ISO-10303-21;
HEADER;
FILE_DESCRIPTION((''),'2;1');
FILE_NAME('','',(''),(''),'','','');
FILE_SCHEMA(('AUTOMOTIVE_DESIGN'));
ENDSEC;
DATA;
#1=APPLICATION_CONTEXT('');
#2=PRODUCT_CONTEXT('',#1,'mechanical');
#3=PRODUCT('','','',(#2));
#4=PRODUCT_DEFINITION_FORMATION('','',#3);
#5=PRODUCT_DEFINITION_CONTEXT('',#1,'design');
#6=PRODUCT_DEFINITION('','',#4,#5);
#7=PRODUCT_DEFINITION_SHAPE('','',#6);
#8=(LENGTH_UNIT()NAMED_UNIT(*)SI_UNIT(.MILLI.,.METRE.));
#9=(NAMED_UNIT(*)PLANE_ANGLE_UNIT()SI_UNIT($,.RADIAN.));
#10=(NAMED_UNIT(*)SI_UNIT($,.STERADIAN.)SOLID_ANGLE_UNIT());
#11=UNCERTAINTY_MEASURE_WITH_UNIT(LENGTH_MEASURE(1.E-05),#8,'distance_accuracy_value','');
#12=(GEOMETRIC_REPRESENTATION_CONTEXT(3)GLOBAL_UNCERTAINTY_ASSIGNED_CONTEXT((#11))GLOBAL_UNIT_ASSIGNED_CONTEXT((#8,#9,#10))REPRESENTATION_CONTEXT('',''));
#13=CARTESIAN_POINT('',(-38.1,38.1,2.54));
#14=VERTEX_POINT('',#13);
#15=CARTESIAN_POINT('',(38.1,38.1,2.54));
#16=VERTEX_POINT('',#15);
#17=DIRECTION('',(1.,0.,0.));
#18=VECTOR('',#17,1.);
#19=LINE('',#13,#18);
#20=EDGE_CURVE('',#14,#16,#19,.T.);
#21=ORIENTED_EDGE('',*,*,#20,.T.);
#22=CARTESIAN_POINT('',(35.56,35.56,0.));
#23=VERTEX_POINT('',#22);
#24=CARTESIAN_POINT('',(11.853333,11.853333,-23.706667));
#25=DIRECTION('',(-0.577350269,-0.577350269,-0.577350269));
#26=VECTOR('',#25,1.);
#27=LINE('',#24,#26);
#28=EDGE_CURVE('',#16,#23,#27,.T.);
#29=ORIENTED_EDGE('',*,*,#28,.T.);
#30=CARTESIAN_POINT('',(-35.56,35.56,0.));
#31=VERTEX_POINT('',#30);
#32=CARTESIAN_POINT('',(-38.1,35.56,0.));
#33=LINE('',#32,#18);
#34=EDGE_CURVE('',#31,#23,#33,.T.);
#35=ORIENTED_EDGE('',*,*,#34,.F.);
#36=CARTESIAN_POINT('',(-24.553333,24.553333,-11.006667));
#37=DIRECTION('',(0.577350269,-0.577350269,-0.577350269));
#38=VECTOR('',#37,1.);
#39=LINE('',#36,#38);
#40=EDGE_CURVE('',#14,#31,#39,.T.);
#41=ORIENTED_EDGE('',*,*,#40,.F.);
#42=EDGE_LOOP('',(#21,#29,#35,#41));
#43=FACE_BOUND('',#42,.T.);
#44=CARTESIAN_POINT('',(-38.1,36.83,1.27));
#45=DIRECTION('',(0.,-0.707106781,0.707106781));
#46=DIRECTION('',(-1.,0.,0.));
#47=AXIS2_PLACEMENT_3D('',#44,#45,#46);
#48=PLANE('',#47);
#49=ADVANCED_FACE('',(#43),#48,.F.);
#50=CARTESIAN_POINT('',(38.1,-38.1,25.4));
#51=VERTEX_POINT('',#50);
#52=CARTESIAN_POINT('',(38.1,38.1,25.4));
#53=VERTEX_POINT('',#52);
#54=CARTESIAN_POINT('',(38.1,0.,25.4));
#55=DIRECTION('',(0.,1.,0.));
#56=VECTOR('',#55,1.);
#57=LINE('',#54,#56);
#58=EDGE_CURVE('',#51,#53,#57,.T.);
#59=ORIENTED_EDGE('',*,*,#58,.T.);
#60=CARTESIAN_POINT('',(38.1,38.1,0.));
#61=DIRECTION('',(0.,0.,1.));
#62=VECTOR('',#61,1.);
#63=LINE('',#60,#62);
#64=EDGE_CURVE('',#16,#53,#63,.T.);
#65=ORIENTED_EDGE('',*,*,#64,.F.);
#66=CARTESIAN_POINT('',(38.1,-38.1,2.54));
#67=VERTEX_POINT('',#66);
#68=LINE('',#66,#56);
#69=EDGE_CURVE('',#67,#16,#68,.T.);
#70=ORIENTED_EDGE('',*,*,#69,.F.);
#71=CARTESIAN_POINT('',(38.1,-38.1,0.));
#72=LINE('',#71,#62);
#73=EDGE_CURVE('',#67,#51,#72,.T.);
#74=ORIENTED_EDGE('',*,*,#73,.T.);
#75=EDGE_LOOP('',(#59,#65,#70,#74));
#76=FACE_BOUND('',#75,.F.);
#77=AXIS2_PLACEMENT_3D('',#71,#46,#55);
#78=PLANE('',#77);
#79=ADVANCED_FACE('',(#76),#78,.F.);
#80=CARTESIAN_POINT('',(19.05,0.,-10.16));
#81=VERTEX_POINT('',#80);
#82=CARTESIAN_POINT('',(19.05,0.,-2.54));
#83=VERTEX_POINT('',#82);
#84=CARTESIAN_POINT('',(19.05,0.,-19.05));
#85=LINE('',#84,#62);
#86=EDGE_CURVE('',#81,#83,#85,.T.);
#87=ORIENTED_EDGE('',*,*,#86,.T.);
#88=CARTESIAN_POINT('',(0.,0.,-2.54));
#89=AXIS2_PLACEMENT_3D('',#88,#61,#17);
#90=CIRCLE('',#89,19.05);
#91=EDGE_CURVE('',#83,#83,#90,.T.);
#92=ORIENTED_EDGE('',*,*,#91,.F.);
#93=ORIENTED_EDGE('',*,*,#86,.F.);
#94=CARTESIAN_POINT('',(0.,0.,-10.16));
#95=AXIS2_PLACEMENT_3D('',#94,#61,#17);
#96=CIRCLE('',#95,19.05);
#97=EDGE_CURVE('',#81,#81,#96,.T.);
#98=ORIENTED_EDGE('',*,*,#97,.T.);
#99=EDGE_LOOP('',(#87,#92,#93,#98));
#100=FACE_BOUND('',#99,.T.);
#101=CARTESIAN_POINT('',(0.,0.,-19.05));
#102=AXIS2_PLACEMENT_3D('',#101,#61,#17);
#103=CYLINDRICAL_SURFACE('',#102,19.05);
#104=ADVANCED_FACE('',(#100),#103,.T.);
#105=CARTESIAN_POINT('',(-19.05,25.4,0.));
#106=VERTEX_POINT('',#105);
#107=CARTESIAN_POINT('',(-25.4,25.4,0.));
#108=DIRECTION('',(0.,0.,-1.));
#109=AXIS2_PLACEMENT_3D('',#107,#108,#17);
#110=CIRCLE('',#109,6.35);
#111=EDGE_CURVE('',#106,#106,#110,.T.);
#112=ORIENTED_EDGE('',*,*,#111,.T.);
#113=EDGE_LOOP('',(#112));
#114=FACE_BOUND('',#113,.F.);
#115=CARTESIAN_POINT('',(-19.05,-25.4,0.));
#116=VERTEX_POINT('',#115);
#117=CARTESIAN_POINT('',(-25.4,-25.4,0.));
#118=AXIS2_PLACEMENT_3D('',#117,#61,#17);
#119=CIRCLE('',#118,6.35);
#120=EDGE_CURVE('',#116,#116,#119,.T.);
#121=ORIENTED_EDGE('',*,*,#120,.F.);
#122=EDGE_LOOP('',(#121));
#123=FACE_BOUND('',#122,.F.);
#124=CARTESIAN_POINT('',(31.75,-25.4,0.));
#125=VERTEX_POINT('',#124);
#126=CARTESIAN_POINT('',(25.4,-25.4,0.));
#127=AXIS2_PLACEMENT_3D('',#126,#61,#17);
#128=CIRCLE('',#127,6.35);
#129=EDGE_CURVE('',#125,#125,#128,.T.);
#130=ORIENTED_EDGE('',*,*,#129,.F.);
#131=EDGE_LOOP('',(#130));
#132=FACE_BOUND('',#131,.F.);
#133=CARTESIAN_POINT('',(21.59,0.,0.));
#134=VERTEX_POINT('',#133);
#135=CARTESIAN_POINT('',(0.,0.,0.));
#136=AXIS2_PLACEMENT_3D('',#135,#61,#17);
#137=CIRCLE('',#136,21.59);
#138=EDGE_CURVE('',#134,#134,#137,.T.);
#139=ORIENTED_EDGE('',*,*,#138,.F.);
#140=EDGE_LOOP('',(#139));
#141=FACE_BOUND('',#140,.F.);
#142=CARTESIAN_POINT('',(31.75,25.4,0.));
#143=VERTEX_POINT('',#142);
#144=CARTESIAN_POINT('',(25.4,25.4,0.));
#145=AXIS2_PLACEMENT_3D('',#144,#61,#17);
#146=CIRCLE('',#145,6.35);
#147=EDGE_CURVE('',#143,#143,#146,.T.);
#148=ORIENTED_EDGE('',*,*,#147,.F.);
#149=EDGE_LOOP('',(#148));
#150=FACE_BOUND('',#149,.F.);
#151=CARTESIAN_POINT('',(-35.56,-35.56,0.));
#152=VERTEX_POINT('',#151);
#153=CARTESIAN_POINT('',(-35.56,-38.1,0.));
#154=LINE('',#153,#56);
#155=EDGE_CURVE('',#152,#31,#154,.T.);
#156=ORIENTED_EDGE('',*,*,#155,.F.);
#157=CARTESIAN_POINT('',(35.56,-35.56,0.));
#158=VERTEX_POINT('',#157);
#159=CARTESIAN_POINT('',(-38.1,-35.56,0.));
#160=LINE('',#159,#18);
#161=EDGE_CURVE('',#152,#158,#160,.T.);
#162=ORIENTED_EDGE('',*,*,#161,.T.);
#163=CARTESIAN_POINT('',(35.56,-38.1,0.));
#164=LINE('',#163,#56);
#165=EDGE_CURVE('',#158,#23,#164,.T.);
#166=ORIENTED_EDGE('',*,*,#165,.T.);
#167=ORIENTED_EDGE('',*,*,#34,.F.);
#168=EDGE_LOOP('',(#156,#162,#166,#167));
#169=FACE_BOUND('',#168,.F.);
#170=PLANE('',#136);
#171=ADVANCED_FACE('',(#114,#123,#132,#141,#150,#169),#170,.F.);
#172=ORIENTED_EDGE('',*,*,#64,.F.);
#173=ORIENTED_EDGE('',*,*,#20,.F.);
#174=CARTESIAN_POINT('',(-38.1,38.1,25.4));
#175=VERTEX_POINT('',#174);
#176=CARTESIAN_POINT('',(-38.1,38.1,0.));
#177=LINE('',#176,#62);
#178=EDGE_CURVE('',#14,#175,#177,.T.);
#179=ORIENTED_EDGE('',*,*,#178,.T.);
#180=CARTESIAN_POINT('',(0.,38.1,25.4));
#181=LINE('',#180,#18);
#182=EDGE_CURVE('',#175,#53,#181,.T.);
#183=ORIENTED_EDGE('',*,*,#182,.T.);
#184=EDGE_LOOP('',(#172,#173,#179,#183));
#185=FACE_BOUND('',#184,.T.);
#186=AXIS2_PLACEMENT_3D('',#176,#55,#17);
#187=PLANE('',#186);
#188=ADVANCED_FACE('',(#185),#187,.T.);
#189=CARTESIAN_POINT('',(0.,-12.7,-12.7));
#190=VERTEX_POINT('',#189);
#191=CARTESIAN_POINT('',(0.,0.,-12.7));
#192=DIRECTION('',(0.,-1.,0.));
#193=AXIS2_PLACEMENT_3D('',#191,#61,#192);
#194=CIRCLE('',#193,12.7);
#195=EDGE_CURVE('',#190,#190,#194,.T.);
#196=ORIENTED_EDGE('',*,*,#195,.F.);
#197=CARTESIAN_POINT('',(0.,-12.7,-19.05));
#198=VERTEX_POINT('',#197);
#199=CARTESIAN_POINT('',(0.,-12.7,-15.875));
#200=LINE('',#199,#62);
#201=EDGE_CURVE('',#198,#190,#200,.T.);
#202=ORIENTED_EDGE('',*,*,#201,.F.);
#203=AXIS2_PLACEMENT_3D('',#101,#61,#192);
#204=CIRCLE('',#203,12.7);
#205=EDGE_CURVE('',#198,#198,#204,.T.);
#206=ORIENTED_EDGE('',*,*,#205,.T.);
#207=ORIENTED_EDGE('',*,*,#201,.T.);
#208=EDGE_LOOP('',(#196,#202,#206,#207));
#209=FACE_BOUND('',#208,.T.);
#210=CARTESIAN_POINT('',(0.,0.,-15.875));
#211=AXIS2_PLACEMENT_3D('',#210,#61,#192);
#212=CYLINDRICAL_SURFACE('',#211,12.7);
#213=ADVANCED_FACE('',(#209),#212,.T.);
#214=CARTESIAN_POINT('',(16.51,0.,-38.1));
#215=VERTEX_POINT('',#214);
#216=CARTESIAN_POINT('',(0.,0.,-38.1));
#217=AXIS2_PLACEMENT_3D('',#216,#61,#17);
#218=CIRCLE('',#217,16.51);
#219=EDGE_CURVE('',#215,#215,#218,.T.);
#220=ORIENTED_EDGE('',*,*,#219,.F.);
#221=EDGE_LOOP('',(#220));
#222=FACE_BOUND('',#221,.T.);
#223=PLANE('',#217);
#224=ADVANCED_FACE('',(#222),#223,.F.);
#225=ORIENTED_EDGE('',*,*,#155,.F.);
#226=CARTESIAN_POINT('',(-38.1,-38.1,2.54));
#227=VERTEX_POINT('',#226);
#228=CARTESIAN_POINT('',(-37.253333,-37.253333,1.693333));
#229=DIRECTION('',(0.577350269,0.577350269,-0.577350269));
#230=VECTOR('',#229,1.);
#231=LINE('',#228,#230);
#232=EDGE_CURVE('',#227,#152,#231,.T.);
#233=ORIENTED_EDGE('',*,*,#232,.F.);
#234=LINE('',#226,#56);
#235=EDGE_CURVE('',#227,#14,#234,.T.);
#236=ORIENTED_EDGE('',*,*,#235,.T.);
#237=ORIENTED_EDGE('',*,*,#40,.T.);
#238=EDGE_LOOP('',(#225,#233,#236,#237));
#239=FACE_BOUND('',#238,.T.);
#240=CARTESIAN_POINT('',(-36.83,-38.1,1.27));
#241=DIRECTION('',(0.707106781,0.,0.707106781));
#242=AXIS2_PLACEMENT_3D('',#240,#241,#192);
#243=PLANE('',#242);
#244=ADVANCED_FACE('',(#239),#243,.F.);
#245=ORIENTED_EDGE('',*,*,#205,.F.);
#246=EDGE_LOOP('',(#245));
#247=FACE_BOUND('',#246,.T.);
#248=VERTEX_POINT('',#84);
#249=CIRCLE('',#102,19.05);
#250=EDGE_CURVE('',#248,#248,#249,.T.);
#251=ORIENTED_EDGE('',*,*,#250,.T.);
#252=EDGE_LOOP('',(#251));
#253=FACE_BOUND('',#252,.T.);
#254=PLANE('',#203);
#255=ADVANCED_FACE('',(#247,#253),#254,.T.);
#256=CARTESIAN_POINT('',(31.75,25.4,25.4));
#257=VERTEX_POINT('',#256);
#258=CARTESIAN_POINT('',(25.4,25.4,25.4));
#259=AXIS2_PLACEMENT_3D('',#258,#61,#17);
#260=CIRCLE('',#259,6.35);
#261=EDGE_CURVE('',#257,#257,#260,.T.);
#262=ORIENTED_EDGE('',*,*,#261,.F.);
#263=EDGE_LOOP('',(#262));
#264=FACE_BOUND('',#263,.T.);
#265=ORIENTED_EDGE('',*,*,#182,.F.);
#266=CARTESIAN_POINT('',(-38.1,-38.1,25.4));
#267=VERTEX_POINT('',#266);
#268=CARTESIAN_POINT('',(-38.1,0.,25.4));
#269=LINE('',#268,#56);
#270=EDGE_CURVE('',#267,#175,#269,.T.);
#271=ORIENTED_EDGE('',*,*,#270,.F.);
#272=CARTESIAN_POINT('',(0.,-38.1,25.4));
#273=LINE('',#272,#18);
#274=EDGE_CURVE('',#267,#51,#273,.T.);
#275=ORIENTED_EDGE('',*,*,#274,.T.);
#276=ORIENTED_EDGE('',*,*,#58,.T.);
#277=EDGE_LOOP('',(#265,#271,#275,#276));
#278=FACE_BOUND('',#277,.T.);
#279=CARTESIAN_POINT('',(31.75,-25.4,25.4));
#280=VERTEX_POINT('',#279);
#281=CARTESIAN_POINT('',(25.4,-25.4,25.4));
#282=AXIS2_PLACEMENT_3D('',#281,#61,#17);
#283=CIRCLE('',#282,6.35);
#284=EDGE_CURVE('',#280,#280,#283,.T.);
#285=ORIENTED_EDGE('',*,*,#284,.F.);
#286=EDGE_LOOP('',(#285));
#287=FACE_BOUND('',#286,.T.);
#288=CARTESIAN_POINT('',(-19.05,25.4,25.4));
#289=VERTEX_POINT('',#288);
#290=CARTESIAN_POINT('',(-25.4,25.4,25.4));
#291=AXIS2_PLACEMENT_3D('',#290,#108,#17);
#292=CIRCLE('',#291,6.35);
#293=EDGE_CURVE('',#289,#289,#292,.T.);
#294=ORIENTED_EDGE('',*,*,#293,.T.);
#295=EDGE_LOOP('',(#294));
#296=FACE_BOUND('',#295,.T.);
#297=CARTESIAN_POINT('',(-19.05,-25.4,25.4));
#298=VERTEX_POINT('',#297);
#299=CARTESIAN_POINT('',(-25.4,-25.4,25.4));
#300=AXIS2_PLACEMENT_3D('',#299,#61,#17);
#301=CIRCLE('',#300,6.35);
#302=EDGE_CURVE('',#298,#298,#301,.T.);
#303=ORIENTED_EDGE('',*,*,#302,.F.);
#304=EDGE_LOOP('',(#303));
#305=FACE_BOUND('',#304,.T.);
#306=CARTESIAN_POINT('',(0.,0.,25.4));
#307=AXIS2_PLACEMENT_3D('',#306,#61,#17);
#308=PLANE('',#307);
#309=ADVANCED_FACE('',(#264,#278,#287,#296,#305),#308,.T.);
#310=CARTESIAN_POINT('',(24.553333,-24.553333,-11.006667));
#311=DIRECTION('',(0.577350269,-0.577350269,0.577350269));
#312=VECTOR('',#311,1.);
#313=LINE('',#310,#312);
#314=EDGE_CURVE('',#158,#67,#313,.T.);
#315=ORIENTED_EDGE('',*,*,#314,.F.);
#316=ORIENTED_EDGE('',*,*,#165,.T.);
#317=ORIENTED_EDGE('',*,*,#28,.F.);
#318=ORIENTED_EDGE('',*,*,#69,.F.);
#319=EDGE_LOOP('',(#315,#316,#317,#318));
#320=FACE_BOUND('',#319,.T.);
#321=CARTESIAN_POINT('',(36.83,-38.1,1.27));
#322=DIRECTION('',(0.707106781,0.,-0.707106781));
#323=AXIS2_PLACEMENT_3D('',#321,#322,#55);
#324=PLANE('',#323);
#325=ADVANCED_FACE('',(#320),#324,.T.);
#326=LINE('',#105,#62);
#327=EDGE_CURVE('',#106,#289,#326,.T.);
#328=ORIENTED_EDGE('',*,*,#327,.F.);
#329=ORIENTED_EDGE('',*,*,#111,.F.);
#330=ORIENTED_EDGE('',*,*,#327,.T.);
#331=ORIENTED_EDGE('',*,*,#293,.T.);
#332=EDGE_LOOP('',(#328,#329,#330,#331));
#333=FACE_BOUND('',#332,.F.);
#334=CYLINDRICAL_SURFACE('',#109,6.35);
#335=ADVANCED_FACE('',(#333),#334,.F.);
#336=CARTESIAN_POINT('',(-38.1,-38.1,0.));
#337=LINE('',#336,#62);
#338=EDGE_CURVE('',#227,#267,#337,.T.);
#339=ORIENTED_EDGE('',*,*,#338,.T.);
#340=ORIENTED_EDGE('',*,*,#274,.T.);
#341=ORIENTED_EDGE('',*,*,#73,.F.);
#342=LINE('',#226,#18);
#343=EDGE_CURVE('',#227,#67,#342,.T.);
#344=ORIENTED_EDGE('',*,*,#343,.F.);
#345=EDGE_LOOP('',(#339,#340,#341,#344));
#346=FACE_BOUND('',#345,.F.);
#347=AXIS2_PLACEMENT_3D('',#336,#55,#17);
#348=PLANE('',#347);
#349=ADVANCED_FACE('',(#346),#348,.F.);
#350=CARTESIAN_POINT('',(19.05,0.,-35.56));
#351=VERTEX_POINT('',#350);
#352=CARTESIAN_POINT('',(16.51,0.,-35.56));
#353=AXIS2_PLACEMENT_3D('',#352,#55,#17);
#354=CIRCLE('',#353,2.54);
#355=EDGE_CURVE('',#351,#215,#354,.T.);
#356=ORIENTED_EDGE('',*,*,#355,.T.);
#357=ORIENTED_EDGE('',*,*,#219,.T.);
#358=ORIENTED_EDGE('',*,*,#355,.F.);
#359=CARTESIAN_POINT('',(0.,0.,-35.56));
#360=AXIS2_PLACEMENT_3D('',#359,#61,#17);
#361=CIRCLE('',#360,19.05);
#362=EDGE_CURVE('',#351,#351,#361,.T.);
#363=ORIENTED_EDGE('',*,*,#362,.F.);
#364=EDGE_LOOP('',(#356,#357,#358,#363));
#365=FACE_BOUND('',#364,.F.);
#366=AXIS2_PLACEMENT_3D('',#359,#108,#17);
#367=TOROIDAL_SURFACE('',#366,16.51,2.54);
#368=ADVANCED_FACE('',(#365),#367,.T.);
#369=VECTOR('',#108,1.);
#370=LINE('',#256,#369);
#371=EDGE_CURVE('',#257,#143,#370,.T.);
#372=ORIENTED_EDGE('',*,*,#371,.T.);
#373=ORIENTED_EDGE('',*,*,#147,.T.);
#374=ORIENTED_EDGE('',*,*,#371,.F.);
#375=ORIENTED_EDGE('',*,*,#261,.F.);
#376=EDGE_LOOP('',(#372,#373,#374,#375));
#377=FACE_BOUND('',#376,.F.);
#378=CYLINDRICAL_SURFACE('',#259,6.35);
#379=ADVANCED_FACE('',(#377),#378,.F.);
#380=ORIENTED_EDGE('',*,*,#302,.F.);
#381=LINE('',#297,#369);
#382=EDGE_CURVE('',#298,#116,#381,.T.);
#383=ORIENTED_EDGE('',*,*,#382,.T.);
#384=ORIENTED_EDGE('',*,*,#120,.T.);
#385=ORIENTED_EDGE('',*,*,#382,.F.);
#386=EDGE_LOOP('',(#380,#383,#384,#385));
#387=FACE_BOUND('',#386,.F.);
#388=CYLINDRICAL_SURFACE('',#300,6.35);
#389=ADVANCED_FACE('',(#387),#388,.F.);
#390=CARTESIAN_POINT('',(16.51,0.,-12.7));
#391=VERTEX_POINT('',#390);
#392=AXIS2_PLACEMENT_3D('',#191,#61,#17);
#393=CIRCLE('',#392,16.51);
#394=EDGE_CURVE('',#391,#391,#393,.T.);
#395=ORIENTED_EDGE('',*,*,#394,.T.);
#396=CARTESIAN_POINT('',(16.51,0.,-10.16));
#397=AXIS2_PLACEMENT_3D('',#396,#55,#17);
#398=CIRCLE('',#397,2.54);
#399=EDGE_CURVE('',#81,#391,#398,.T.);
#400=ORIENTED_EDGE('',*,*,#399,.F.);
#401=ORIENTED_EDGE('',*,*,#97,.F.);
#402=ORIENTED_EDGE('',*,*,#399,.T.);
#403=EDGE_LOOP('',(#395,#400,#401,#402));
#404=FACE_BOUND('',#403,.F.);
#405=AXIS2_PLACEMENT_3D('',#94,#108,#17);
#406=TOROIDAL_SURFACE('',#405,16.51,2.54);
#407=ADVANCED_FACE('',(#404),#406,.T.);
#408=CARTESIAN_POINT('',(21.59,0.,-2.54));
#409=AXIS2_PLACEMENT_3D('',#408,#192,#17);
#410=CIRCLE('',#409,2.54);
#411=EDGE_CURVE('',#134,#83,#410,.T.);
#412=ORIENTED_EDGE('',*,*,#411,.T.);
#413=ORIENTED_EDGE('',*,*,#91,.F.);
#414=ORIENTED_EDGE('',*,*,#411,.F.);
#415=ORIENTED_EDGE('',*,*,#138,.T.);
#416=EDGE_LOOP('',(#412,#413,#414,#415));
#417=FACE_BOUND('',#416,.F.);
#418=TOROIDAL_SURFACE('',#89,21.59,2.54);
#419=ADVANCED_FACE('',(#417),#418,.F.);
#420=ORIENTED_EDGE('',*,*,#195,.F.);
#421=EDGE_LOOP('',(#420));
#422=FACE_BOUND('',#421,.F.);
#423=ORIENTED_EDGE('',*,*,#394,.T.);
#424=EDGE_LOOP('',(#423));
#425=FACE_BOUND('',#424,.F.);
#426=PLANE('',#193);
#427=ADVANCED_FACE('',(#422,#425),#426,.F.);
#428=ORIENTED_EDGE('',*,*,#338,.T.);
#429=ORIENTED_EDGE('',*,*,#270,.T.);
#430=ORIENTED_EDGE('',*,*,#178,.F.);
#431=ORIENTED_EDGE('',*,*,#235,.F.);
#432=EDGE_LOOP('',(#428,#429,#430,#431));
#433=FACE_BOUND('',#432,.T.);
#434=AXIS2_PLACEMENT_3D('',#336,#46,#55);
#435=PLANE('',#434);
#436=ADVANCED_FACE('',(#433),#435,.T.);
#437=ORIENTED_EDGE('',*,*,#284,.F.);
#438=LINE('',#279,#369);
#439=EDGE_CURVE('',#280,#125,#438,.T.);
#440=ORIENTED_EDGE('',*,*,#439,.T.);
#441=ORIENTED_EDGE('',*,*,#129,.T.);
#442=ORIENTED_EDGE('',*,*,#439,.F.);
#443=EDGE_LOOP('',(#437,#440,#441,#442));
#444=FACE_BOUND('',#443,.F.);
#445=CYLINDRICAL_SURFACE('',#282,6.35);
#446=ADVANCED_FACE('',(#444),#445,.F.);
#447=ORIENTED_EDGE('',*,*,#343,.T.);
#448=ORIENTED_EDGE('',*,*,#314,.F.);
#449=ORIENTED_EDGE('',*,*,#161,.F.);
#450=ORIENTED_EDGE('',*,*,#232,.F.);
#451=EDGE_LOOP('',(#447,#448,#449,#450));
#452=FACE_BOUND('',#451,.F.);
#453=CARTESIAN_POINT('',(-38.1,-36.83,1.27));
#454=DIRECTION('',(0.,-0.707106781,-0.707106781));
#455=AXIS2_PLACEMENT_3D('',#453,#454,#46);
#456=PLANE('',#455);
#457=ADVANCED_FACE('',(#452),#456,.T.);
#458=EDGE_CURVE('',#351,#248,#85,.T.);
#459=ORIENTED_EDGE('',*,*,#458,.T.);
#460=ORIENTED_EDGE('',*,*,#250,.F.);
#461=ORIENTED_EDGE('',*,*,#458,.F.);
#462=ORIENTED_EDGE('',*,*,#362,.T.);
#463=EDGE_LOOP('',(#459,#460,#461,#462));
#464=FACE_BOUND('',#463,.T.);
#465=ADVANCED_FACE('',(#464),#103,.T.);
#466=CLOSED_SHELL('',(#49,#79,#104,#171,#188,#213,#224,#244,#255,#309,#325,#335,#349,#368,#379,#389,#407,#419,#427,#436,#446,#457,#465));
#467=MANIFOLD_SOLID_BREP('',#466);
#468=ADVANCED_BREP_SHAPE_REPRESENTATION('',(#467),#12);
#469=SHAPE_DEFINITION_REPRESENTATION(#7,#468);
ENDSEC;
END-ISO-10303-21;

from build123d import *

# Parameters (mm, degrees)
F0_W     = 76.2
F0_H     = 76.2
F1_DEPTH = 25.4
F2_R     = 6.35
F3_DEPTH = 25.4
F4_R     = 6.35
F5_DEPTH = 25.4
F6_W     = 19.05
F6_H     = 38.1
F8_W     = 8.2727996377
F8_H     = 6.35
F10_SIZE = 2.54
F11_R    = 2.54


with BuildPart() as f1:
    # F0 (on Top) → F1 (new body)
    with BuildSketch(Plane.XY):
        Rectangle(F0_W, F0_H)
    extrude(amount=F1_DEPTH)

    # F2 (on face) → F3 (cut)
    with BuildSketch(Plane.XY.offset(25.4)):
        with Locations((25.4, 25.4)):
            Circle(F2_R)
        with Locations((25.4, -25.4)):
            Circle(F2_R)
        with Locations((-25.4, -25.4)):
            Circle(F2_R)
    extrude(amount=-F3_DEPTH, mode=Mode.SUBTRACT)

    # F4 (on face) → F5 (cut)
    with BuildSketch(Plane(origin=(0, 0, 0), x_dir=(1, 0, 0), z_dir=(0, 0, -1))):
        with Locations((-25.4, -25.4)):
            Circle(F4_R)
    extrude(amount=-F5_DEPTH, mode=Mode.SUBTRACT)

    # F6 (on Front) → F7 (revolve)
    with BuildSketch(Plane.XZ):
        with Locations((9.525, -19.05)):
            Rectangle(F6_W, F6_H)
    revolve(axis=Axis((0, 0, -19.05), (0, 0, 1)))

    # F8 (on Right) → F9 (revolve, cut)
    with BuildSketch(Plane.YZ):
        with Locations((-16.8363998188, -15.875)):
            Rectangle(F8_W, F8_H)
    revolve(axis=Axis((0, 0, -38.1), (0, 0, 1)), mode=Mode.SUBTRACT)

    # F10
    f10_edges = [f1.edges().sort_by_distance(p)[0] for p in [
        (-38.1, 0, 0),
        (0, 38.1, 0),
        (38.1, 0, 0),
        (0, -38.1, 0),
    ]]
    chamfer(f10_edges, length=F10_SIZE)

    # F11
    f11_edges = [f1.edges().sort_by_distance(p)[0] for p in [
        (-19.05, 0, -12.7),
        (-19.05, 0, 0),
        (-19.05, 0, -38.1),
    ]]
    fillet(f11_edges, radius=F11_R)


solid = f1.part
